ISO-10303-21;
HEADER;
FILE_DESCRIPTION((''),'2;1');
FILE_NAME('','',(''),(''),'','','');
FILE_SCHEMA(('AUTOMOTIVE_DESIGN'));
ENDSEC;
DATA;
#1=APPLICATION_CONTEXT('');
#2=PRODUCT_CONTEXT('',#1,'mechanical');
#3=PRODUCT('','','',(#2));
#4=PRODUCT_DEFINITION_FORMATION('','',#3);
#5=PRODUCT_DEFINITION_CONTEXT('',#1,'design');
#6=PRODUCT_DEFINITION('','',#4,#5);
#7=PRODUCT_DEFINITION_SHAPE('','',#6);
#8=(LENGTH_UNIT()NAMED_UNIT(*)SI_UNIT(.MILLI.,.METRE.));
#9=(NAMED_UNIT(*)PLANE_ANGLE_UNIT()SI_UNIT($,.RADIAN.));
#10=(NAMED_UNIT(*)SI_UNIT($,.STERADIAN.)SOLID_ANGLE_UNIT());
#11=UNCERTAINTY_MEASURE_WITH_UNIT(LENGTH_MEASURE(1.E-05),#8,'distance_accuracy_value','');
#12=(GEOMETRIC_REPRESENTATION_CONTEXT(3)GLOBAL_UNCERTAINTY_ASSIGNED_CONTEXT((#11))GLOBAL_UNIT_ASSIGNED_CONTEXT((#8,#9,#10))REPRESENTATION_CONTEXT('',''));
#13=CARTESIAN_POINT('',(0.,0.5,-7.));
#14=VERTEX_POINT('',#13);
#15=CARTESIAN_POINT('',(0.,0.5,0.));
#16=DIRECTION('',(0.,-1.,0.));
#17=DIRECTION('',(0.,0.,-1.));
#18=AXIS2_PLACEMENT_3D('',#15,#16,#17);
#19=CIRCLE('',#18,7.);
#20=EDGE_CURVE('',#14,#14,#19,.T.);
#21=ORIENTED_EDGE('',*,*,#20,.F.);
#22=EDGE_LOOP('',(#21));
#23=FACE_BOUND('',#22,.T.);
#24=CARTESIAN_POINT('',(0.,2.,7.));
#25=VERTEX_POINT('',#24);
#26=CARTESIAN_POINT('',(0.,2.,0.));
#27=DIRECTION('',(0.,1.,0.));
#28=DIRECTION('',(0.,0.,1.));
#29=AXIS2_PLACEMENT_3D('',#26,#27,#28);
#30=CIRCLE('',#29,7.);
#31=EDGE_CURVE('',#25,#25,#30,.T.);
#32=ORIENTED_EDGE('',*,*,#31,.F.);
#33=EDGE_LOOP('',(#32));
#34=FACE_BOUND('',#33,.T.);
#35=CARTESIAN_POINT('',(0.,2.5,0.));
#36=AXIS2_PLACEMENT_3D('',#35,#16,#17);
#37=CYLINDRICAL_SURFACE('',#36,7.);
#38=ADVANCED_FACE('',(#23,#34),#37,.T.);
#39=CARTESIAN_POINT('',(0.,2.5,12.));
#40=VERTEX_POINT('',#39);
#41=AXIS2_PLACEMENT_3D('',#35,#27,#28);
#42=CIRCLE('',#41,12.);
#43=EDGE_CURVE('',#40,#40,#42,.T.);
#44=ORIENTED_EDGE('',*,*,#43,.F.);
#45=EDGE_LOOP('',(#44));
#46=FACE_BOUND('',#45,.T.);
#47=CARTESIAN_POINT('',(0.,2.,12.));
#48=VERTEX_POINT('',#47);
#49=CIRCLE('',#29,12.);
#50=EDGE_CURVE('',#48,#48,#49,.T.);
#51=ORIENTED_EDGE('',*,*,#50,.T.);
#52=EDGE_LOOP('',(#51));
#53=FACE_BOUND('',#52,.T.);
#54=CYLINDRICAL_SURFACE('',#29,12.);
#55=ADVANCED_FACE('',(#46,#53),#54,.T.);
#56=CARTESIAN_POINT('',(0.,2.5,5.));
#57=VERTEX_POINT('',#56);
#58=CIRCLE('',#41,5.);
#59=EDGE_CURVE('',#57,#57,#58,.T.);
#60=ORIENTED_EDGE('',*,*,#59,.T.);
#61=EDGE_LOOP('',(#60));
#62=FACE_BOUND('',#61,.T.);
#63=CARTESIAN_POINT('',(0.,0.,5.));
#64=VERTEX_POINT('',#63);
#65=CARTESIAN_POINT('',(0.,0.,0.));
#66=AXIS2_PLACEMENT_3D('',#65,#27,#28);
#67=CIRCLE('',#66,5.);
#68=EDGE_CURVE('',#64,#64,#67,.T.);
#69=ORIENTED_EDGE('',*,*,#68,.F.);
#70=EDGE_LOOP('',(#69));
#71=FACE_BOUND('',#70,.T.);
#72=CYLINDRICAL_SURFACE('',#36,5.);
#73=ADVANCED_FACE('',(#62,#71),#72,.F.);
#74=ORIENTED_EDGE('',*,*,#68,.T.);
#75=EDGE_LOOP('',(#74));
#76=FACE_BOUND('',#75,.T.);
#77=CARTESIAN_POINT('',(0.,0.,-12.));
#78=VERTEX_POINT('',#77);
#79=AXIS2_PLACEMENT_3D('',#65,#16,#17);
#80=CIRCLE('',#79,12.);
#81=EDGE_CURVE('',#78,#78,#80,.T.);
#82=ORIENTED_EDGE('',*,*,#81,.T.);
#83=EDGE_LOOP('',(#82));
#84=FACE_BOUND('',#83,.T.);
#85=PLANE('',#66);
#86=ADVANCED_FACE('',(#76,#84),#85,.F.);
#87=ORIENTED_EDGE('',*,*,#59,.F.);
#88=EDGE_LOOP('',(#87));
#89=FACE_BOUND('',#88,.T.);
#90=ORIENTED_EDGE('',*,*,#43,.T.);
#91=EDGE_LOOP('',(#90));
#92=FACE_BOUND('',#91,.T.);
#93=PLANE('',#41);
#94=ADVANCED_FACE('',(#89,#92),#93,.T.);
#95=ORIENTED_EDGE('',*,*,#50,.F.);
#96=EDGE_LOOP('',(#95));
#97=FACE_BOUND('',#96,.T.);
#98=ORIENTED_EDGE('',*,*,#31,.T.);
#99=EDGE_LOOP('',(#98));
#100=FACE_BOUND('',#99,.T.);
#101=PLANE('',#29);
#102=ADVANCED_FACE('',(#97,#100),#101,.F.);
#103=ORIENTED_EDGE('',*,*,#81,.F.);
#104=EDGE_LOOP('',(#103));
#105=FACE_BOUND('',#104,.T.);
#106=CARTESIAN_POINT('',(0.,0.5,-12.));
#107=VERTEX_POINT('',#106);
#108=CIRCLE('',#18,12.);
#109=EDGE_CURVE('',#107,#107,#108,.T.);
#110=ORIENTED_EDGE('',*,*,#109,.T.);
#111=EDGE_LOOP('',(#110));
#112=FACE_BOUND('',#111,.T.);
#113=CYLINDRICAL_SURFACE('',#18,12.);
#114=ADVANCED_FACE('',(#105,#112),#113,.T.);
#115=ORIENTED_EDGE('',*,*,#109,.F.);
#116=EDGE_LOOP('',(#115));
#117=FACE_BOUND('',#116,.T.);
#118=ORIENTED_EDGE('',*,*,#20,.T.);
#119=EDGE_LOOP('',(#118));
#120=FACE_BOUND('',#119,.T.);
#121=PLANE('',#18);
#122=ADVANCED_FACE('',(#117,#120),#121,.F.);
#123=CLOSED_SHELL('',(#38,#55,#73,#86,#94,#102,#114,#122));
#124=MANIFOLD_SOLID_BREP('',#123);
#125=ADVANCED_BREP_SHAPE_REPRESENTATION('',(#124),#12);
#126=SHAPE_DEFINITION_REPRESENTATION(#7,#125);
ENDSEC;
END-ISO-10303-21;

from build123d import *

# Parameters (mm, degrees)
SKETCH_2_R      = 7
SKETCH_2_R_2    = 5
EXTRUDE_1_DEPTH = 2.5
EXTRUDE_START   = -0.5
SKETCH_3_R      = 12
SKETCH_3_R_2    = 7
EXTRUDE_2_DEPTH = 0.5
SKETCH_4_R      = 12
SKETCH_4_R_2    = 7
EXTRUDE_3_DEPTH = 0.5


with BuildPart() as part:
    # 草圖2 → 填料-伸長1 (new body)
    with BuildSketch(Plane(origin=(0, 0, 0), x_dir=(1, 0, 0), z_dir=(0, 1, 0))):
        with Locations(Location((0, 0, 0), (0, 0, 270))):
            Circle(SKETCH_2_R)
        with Locations(Location((0, 0, 0), (0, 0, 270))):
            Circle(SKETCH_2_R_2, mode=Mode.SUBTRACT)
    extrude(amount=EXTRUDE_1_DEPTH)

    # 草圖3 → 填料-伸長2 (add)
    with BuildSketch(Plane(origin=(0, 2.5, 0), x_dir=(1, 0, 0), z_dir=(0, 1, 0)).offset(EXTRUDE_START)):
        with Locations(Location((0, 0, 0), (0, 0, 270))):
            Circle(SKETCH_3_R)
        with Locations(Location((0, 0, 0), (0, 0, 270))):
            Circle(SKETCH_3_R_2, mode=Mode.SUBTRACT)
    extrude(amount=EXTRUDE_2_DEPTH)

    # 草圖4 → 填料-伸長3 (add)
    with BuildSketch(Plane.XZ):
        with Locations(Location((0, 0, 0), (0, 0, 90))):
            Circle(SKETCH_4_R)
        with Locations(Location((0, 0, 0), (0, 0, 270))):
            Circle(SKETCH_4_R_2, mode=Mode.SUBTRACT)
    extrude(amount=-EXTRUDE_3_DEPTH)


solid = part.part
